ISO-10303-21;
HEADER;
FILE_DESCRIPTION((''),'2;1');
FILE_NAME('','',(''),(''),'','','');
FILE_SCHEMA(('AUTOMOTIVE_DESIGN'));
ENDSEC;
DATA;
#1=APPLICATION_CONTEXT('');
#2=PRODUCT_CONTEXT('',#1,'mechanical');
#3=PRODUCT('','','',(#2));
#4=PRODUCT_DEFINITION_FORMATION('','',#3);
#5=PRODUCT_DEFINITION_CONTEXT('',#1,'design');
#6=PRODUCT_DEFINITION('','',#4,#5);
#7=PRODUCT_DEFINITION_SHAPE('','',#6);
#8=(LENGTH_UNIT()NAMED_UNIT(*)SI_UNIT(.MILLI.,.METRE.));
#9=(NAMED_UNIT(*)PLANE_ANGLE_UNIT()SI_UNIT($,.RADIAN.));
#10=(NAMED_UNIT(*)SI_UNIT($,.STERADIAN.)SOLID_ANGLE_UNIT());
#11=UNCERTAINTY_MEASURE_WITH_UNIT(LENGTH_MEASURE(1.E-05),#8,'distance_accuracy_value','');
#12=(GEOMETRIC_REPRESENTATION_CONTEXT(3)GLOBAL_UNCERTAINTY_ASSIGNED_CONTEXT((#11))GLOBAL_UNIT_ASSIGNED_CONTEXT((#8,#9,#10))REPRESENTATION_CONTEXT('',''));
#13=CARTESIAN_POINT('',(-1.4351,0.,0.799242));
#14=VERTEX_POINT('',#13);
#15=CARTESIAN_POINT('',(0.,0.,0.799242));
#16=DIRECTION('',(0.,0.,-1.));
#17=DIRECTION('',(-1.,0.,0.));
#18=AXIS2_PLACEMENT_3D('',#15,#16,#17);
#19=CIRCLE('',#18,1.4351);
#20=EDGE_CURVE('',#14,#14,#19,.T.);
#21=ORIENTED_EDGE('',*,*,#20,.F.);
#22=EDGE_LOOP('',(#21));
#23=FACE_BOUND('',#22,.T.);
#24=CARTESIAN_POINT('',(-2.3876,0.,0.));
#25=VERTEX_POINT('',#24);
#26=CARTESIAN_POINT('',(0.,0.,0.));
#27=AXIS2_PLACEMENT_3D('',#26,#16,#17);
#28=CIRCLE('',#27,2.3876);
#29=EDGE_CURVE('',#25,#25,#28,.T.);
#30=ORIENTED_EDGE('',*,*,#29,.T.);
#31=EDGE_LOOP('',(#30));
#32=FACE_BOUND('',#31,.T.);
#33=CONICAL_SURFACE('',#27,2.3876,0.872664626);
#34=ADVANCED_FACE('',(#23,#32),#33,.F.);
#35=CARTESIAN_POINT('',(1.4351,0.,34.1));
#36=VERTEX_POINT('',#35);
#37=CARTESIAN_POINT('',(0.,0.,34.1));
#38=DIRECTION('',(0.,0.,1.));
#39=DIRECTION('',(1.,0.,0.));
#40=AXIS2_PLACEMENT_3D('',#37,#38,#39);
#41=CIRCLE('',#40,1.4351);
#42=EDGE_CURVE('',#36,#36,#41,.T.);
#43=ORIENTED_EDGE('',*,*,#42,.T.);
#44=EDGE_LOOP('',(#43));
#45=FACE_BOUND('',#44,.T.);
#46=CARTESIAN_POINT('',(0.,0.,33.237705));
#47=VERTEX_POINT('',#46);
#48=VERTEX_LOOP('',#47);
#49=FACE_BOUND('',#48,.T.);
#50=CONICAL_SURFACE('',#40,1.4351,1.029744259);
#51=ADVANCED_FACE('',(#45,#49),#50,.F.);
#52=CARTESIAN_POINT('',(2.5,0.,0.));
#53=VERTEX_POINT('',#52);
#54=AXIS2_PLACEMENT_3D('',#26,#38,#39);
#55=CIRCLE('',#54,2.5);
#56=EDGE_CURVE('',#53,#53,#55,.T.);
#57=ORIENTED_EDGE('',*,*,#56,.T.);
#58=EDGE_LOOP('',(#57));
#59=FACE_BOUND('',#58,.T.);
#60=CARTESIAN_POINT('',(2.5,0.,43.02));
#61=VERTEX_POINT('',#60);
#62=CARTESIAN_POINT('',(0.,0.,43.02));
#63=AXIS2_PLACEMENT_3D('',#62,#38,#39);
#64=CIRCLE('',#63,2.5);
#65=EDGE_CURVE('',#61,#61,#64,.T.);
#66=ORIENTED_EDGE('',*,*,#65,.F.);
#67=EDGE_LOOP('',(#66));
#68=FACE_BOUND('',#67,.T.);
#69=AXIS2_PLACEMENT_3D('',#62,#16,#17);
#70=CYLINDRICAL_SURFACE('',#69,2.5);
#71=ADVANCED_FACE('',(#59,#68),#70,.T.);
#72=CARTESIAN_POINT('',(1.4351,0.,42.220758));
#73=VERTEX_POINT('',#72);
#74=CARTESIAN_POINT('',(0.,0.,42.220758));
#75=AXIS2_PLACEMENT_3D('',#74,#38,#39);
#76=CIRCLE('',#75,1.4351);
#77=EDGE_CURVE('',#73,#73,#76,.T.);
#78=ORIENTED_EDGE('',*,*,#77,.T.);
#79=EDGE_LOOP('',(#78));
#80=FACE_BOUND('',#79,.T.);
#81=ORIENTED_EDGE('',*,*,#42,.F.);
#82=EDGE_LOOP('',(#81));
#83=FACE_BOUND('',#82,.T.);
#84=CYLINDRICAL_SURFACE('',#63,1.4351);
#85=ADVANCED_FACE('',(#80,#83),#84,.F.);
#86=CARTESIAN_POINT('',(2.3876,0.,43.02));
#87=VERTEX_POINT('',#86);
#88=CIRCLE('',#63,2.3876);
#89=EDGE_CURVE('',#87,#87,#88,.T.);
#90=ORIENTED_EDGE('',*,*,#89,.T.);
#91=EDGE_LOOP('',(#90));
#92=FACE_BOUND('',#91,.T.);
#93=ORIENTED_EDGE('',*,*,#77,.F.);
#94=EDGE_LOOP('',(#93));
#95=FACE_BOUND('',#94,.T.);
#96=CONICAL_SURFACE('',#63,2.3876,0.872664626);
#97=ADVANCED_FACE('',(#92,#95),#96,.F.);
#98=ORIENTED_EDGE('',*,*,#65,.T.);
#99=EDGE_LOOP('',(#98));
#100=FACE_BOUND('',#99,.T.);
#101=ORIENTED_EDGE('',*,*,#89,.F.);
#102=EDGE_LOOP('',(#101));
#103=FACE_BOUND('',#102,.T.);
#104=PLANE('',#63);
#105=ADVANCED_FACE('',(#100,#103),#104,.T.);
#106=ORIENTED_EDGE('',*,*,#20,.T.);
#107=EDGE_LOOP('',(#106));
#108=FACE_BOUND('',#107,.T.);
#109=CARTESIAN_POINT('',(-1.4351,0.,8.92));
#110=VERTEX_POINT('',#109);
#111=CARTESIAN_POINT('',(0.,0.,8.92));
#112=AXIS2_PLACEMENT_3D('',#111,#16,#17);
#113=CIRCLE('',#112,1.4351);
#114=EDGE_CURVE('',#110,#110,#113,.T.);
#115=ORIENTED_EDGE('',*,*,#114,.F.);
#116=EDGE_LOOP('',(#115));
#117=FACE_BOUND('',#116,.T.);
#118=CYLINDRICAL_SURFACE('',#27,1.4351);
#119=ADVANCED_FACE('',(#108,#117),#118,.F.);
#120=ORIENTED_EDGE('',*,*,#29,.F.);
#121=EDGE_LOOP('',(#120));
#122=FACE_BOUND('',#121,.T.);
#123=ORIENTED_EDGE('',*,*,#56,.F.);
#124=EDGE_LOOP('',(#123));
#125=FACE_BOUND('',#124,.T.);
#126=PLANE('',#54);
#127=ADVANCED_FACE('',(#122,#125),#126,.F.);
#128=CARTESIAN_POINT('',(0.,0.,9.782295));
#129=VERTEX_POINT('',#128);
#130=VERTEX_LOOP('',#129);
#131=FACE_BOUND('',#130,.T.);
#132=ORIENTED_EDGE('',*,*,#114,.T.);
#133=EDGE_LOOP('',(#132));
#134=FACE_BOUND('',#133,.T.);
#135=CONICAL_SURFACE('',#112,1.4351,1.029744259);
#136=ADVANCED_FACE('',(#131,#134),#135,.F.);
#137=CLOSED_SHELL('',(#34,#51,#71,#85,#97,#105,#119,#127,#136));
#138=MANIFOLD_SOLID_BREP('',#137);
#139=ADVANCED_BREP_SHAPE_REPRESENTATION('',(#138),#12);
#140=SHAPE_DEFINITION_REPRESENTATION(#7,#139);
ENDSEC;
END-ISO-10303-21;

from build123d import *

# Parameters (mm, degrees)
SKETCH1_R           = 2.5
BOSS_EXTRUDE1_DEPTH = 43.02


with BuildPart() as part:
    # Sketch1 → Boss-Extrude1 (new body)
    with BuildSketch(Plane.XY):
        Circle(SKETCH1_R)
    extrude(amount=BOSS_EXTRUDE1_DEPTH)

    # Sketch3 → #6-40 Tapped Hole1 (revolve, cut)
    with BuildSketch(Plane(origin=(0, 0, 43.02), x_dir=(0, -1, 0), z_dir=(1, 0, 0))):
        Polygon((0, 0), (0, 9.782295074), (1.4351, 8.92), (1.4351, 0.799242399), (2.3876, 0), align=None)
    f_6_40_tapped_hole1 = revolve(axis=Axis((0, 0, 49.37), (0, 0, -1)), mode=Mode.SUBTRACT)

    # Mirror1: #6-40 Tapped Hole1 across plane
    add(f_6_40_tapped_hole1.mirror(Plane.XY.offset(21.51)), mode=Mode.SUBTRACT)


solid = part.part
